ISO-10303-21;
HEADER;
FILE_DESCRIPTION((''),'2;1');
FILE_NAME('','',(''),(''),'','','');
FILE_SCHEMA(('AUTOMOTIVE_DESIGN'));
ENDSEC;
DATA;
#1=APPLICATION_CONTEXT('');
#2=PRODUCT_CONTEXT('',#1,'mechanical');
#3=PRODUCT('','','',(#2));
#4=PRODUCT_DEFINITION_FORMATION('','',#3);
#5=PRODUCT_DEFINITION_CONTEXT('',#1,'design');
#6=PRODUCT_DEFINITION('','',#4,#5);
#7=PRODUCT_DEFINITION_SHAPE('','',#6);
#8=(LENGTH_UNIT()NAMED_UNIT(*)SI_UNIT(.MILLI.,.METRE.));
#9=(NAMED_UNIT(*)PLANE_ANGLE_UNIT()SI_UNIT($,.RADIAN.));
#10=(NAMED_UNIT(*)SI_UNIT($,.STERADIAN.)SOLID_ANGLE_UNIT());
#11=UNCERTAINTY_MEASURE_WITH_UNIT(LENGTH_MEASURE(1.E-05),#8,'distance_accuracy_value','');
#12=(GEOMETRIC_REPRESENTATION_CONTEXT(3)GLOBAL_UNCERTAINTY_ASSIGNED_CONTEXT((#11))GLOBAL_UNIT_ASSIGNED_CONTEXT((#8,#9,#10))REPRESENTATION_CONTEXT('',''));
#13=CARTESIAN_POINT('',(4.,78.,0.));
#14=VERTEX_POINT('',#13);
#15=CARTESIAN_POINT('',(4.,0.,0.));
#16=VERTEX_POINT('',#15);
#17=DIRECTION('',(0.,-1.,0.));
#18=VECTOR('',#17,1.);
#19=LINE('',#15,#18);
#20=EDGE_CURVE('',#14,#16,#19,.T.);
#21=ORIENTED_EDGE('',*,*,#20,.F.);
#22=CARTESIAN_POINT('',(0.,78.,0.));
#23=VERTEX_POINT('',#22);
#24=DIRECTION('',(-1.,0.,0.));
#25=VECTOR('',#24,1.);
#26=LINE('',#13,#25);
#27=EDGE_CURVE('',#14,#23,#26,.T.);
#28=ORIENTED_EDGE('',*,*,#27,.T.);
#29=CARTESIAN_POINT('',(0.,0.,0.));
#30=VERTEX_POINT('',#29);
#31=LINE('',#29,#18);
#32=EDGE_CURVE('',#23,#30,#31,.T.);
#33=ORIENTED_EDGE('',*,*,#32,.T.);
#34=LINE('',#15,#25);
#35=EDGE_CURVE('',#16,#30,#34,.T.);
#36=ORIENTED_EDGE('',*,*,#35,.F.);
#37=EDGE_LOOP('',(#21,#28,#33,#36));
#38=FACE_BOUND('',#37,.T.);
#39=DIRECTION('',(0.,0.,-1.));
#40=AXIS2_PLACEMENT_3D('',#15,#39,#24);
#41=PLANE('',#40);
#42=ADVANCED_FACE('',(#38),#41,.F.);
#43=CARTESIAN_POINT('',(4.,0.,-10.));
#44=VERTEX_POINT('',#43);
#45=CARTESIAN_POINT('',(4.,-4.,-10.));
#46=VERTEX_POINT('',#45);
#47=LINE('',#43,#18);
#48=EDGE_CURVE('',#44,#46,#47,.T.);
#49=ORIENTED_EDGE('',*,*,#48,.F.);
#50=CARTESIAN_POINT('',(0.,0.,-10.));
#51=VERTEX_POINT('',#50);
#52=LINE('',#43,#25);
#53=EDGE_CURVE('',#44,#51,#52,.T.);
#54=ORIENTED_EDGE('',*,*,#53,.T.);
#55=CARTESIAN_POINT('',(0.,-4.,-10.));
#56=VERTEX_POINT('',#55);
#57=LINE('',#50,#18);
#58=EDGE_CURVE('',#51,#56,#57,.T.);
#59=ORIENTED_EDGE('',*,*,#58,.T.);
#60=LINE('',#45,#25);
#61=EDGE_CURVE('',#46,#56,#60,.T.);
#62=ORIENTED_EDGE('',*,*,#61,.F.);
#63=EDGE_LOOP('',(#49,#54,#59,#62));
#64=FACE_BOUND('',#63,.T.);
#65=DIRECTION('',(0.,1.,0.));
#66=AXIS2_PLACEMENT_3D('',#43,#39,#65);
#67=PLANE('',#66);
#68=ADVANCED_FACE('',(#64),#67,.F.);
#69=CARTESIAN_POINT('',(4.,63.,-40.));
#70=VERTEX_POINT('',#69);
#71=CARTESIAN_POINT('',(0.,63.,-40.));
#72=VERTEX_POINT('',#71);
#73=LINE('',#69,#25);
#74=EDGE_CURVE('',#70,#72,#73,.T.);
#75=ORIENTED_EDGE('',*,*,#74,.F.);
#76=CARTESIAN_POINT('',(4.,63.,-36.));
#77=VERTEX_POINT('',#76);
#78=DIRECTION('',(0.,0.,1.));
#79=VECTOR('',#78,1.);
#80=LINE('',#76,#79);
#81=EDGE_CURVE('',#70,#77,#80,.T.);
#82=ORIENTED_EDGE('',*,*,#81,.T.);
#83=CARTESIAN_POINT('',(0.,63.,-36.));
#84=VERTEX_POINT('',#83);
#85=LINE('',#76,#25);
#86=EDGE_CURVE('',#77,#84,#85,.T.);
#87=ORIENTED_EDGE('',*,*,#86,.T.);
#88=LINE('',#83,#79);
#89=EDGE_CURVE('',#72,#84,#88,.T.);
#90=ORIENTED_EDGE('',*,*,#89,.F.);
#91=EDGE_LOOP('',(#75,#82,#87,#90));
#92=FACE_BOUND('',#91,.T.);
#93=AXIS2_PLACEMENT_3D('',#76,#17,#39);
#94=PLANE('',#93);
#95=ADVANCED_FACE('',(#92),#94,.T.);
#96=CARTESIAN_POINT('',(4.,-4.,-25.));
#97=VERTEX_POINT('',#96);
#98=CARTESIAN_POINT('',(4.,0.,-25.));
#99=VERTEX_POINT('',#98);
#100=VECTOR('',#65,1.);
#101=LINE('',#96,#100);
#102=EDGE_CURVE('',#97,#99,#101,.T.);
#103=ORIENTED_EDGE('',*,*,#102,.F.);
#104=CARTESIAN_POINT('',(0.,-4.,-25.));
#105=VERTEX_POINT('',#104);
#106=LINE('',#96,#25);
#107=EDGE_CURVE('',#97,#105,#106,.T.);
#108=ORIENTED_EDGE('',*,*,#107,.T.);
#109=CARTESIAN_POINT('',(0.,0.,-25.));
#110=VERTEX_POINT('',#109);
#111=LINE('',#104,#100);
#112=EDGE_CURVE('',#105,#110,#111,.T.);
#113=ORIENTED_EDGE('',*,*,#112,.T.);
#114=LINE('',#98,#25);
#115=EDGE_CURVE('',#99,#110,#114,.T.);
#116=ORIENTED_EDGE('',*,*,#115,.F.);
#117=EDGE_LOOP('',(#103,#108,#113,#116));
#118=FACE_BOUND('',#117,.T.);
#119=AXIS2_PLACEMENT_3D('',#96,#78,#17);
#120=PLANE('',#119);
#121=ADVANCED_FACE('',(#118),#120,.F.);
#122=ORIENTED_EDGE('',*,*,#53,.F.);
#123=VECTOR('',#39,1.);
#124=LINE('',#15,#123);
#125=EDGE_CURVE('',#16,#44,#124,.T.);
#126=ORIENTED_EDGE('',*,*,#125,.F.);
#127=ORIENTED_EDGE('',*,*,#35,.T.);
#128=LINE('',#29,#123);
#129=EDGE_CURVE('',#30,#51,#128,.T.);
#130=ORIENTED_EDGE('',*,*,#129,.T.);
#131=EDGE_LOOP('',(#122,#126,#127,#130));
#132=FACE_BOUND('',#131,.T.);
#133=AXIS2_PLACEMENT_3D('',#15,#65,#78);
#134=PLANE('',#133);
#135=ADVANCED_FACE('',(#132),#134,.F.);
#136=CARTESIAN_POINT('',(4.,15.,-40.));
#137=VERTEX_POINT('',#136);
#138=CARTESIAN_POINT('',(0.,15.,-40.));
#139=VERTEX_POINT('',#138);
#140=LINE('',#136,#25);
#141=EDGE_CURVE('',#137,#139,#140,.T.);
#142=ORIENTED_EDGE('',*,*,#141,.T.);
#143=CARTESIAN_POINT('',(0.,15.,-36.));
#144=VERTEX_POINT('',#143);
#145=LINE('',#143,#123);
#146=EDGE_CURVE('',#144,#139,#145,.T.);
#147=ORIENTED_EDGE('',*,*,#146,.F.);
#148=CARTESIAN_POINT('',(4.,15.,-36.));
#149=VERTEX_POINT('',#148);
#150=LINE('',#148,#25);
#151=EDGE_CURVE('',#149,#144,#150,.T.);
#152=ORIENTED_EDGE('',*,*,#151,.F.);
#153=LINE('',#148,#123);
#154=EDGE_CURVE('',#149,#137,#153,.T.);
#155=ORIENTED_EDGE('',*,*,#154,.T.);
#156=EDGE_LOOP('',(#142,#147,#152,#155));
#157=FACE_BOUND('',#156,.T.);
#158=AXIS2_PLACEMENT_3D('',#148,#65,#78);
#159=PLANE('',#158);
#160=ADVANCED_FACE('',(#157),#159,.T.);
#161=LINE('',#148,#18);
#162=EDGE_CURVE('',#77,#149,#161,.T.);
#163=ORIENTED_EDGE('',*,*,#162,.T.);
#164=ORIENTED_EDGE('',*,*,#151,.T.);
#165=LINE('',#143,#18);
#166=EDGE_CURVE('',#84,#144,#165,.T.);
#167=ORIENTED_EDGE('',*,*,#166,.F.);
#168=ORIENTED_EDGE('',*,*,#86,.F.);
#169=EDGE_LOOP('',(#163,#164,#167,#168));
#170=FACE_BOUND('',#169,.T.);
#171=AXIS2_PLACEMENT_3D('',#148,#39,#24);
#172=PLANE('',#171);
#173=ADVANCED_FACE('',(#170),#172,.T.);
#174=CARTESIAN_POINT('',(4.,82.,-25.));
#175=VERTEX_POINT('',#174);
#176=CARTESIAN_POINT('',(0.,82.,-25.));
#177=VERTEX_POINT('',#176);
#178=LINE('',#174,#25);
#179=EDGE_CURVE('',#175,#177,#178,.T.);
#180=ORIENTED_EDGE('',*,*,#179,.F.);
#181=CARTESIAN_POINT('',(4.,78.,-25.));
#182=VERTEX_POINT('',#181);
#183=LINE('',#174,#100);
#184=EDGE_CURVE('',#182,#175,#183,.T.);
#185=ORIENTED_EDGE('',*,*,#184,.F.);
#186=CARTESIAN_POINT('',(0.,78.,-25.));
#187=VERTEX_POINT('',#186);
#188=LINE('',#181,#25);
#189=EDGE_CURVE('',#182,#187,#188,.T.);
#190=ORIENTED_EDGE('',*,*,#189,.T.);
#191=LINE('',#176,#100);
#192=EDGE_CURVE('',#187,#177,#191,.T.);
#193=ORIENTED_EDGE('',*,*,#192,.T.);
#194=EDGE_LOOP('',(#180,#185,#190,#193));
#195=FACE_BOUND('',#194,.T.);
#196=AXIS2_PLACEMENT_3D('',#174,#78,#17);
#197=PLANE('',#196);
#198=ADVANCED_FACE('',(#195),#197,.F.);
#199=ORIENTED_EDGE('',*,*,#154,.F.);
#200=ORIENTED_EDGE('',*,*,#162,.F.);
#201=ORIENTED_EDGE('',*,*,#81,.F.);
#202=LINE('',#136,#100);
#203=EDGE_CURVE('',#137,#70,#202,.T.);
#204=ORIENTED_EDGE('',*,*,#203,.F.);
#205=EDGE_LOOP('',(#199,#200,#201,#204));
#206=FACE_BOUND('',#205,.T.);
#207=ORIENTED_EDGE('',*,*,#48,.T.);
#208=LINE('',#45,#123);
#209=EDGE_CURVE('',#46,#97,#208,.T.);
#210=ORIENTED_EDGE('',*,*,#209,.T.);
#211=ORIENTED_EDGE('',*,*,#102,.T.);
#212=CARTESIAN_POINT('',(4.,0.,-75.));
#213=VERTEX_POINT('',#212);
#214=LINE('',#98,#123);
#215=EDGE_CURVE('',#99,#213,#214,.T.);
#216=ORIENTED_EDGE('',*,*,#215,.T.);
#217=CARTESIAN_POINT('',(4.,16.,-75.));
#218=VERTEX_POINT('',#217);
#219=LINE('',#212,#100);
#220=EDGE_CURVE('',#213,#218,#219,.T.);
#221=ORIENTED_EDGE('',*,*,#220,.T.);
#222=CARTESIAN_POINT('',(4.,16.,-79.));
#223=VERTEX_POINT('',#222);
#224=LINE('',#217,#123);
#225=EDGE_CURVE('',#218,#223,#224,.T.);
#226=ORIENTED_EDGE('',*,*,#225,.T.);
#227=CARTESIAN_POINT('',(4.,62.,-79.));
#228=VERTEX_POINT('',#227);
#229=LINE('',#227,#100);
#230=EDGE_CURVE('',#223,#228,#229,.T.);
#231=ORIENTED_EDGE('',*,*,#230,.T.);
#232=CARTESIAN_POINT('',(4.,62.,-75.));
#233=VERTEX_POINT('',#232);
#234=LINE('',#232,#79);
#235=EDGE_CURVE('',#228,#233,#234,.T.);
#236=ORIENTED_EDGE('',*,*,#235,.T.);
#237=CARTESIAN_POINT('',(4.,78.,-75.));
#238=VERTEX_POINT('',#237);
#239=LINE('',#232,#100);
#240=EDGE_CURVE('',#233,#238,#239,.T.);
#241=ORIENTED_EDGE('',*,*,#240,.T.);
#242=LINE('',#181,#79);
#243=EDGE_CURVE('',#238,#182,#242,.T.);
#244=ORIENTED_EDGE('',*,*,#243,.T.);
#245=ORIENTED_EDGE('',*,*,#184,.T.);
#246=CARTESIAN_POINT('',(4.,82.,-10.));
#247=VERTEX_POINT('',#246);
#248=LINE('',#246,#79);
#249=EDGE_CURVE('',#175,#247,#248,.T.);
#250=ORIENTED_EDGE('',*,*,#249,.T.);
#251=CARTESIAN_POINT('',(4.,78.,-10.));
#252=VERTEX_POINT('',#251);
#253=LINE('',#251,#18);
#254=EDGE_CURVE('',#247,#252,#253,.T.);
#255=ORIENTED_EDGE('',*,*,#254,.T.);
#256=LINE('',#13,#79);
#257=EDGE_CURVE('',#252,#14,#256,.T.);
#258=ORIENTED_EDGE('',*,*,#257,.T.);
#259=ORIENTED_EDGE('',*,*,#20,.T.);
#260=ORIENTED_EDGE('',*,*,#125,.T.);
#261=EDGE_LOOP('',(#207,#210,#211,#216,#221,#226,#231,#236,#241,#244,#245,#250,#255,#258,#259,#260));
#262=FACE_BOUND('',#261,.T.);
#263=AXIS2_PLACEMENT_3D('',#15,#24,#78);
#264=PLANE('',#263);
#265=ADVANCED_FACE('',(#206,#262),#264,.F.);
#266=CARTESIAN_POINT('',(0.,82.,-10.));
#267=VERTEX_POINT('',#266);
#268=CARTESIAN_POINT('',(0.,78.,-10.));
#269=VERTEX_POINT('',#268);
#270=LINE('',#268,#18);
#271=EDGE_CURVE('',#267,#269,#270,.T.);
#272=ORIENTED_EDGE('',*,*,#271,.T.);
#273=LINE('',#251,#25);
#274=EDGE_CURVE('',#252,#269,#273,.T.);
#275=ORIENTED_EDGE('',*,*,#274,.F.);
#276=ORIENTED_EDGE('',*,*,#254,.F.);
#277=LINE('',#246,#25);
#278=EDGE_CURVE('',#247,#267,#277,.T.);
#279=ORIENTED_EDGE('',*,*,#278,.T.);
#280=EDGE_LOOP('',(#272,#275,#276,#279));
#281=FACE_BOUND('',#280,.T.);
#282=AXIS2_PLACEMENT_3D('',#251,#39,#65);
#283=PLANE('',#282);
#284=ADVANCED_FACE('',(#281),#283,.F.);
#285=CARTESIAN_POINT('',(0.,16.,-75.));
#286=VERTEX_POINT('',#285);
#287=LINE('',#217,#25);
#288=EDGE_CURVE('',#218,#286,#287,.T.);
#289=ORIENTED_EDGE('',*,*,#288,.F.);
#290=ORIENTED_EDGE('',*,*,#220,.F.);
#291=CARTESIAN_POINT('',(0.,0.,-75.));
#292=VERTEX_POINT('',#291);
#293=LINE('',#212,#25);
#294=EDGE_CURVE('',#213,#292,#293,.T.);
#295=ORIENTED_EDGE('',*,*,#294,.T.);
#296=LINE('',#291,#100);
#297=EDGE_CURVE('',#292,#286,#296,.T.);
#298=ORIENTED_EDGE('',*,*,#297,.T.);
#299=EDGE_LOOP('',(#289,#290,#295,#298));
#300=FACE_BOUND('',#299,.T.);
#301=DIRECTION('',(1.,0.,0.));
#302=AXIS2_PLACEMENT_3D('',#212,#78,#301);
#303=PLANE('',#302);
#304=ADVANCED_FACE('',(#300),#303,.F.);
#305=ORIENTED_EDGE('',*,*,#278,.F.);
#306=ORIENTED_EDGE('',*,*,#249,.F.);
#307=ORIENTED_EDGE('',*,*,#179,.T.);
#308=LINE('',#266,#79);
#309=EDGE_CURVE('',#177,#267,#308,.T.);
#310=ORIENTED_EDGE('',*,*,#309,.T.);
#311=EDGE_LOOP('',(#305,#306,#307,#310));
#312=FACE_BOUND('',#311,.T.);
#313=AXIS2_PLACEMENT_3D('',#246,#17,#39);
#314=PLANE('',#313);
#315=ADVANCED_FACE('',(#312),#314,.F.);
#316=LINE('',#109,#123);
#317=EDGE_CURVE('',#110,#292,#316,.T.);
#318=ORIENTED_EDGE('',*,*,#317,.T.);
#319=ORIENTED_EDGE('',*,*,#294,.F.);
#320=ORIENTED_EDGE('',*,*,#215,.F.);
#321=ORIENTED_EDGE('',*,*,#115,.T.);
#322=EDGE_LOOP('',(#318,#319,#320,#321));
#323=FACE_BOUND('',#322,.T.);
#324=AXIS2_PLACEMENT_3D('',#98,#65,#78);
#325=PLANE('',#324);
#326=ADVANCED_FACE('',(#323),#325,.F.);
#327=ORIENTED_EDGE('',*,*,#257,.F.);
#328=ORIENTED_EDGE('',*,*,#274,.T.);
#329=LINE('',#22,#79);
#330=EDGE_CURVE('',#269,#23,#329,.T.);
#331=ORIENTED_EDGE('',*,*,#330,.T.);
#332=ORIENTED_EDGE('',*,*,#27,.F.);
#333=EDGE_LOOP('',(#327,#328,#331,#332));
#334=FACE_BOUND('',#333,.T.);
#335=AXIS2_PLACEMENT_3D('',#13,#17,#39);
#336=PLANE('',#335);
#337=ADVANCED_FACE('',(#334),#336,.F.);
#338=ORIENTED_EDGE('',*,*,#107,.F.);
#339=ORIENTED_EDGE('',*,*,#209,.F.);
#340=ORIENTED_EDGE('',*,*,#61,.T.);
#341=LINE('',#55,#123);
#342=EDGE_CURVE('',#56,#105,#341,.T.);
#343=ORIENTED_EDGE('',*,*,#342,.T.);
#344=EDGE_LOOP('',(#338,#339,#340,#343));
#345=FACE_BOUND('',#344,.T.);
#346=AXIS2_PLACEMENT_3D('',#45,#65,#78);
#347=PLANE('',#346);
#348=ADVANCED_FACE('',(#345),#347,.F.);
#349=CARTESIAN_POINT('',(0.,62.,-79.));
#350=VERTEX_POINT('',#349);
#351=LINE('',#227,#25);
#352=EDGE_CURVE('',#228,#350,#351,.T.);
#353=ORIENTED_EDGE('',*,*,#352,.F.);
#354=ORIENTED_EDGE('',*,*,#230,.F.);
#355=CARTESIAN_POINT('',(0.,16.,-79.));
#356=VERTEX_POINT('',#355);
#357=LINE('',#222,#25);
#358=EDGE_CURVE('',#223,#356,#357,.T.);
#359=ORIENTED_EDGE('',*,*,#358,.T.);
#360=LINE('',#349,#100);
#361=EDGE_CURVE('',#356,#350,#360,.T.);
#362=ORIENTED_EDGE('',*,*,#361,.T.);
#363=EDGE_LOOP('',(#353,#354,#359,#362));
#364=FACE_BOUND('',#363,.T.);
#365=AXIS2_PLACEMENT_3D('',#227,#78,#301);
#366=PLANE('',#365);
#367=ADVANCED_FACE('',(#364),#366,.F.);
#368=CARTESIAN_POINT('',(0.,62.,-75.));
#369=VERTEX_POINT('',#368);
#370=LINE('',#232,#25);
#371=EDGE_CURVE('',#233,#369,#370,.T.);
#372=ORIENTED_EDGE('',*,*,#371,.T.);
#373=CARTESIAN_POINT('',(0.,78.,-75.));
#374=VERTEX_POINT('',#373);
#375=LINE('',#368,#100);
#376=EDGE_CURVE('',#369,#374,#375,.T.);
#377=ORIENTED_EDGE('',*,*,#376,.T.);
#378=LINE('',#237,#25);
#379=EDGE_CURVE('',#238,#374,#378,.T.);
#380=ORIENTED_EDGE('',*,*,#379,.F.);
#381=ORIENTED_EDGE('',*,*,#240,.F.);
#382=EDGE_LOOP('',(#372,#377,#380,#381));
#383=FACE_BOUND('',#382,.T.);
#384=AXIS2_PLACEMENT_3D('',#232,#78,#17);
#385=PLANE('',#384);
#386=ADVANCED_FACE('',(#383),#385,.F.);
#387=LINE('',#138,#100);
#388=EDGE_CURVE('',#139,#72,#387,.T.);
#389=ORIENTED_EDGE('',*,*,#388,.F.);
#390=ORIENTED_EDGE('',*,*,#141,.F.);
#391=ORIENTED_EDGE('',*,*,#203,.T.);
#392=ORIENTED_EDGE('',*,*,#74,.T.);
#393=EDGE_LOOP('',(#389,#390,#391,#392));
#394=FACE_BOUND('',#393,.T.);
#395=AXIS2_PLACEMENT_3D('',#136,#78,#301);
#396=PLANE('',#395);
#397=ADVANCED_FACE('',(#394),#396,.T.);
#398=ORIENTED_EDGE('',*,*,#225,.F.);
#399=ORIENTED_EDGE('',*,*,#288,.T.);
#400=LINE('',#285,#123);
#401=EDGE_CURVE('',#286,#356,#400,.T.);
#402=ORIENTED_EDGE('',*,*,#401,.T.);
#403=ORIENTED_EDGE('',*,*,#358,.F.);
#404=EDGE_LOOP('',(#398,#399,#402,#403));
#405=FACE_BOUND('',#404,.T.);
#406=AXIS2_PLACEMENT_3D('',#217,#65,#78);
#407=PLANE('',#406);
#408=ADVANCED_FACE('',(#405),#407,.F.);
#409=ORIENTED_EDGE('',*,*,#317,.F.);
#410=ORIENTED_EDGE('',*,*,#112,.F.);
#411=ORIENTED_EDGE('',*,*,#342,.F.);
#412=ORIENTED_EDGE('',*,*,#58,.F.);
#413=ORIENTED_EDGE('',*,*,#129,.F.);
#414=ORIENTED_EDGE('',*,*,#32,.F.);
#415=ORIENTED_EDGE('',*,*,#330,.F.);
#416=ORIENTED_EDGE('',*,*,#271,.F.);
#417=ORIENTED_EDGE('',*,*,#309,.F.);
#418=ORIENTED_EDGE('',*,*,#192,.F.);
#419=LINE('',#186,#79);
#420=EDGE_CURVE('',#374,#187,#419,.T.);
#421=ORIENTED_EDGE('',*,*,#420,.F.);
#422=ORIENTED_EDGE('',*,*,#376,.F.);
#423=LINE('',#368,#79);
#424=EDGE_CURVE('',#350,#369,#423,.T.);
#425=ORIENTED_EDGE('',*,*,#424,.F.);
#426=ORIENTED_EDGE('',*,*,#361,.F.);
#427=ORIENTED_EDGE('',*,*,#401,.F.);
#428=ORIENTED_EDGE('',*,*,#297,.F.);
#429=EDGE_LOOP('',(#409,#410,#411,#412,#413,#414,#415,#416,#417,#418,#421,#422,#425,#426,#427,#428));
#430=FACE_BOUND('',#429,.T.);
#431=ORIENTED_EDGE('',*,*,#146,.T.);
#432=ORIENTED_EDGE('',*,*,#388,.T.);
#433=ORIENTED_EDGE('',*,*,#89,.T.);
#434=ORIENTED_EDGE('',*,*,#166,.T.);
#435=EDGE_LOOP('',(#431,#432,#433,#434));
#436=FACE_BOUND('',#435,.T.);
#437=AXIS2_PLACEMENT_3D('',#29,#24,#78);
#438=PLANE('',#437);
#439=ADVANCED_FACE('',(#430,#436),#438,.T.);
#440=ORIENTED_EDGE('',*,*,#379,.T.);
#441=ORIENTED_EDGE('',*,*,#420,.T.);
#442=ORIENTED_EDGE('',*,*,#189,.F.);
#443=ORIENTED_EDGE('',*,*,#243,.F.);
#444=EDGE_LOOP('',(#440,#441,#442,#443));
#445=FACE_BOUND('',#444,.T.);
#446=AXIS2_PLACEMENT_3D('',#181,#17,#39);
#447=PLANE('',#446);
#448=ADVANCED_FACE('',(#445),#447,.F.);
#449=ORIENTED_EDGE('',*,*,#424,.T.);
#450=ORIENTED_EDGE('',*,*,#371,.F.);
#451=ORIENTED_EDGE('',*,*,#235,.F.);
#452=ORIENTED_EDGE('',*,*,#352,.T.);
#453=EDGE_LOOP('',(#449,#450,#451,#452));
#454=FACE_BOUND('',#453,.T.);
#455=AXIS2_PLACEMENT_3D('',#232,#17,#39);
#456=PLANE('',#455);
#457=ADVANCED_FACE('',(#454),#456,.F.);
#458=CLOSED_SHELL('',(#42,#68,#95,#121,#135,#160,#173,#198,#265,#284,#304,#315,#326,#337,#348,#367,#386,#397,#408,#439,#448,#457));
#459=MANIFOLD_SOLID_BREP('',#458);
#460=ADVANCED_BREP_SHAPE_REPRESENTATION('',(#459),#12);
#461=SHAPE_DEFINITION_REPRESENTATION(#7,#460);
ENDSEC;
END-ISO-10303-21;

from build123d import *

# Parameters (mm, degrees)
SKETCH1_W           = 4
SKETCH1_H           = 48
BOSS_EXTRUDE1_DEPTH = 4


with BuildPart() as part:
    # Sketch1 → Boss-Extrude1 (new body)
    with BuildSketch(Plane(origin=(0, 0, 0), x_dir=(0, 0, -1), z_dir=(1, 0, 0))):
        Polygon((10, 0), (10, -4), (25, -4), (25, 0), (75, 0), (75, 16), (79, 16), (79, 62), (75, 62), (75, 78), (25, 78), (25, 82), (10, 82), (10, 78), (0, 78), (0, 0), align=None)
        with Locations((38, 39)):
            Rectangle(SKETCH1_W, SKETCH1_H, mode=Mode.SUBTRACT)
    extrude(amount=BOSS_EXTRUDE1_DEPTH)


solid = part.part
